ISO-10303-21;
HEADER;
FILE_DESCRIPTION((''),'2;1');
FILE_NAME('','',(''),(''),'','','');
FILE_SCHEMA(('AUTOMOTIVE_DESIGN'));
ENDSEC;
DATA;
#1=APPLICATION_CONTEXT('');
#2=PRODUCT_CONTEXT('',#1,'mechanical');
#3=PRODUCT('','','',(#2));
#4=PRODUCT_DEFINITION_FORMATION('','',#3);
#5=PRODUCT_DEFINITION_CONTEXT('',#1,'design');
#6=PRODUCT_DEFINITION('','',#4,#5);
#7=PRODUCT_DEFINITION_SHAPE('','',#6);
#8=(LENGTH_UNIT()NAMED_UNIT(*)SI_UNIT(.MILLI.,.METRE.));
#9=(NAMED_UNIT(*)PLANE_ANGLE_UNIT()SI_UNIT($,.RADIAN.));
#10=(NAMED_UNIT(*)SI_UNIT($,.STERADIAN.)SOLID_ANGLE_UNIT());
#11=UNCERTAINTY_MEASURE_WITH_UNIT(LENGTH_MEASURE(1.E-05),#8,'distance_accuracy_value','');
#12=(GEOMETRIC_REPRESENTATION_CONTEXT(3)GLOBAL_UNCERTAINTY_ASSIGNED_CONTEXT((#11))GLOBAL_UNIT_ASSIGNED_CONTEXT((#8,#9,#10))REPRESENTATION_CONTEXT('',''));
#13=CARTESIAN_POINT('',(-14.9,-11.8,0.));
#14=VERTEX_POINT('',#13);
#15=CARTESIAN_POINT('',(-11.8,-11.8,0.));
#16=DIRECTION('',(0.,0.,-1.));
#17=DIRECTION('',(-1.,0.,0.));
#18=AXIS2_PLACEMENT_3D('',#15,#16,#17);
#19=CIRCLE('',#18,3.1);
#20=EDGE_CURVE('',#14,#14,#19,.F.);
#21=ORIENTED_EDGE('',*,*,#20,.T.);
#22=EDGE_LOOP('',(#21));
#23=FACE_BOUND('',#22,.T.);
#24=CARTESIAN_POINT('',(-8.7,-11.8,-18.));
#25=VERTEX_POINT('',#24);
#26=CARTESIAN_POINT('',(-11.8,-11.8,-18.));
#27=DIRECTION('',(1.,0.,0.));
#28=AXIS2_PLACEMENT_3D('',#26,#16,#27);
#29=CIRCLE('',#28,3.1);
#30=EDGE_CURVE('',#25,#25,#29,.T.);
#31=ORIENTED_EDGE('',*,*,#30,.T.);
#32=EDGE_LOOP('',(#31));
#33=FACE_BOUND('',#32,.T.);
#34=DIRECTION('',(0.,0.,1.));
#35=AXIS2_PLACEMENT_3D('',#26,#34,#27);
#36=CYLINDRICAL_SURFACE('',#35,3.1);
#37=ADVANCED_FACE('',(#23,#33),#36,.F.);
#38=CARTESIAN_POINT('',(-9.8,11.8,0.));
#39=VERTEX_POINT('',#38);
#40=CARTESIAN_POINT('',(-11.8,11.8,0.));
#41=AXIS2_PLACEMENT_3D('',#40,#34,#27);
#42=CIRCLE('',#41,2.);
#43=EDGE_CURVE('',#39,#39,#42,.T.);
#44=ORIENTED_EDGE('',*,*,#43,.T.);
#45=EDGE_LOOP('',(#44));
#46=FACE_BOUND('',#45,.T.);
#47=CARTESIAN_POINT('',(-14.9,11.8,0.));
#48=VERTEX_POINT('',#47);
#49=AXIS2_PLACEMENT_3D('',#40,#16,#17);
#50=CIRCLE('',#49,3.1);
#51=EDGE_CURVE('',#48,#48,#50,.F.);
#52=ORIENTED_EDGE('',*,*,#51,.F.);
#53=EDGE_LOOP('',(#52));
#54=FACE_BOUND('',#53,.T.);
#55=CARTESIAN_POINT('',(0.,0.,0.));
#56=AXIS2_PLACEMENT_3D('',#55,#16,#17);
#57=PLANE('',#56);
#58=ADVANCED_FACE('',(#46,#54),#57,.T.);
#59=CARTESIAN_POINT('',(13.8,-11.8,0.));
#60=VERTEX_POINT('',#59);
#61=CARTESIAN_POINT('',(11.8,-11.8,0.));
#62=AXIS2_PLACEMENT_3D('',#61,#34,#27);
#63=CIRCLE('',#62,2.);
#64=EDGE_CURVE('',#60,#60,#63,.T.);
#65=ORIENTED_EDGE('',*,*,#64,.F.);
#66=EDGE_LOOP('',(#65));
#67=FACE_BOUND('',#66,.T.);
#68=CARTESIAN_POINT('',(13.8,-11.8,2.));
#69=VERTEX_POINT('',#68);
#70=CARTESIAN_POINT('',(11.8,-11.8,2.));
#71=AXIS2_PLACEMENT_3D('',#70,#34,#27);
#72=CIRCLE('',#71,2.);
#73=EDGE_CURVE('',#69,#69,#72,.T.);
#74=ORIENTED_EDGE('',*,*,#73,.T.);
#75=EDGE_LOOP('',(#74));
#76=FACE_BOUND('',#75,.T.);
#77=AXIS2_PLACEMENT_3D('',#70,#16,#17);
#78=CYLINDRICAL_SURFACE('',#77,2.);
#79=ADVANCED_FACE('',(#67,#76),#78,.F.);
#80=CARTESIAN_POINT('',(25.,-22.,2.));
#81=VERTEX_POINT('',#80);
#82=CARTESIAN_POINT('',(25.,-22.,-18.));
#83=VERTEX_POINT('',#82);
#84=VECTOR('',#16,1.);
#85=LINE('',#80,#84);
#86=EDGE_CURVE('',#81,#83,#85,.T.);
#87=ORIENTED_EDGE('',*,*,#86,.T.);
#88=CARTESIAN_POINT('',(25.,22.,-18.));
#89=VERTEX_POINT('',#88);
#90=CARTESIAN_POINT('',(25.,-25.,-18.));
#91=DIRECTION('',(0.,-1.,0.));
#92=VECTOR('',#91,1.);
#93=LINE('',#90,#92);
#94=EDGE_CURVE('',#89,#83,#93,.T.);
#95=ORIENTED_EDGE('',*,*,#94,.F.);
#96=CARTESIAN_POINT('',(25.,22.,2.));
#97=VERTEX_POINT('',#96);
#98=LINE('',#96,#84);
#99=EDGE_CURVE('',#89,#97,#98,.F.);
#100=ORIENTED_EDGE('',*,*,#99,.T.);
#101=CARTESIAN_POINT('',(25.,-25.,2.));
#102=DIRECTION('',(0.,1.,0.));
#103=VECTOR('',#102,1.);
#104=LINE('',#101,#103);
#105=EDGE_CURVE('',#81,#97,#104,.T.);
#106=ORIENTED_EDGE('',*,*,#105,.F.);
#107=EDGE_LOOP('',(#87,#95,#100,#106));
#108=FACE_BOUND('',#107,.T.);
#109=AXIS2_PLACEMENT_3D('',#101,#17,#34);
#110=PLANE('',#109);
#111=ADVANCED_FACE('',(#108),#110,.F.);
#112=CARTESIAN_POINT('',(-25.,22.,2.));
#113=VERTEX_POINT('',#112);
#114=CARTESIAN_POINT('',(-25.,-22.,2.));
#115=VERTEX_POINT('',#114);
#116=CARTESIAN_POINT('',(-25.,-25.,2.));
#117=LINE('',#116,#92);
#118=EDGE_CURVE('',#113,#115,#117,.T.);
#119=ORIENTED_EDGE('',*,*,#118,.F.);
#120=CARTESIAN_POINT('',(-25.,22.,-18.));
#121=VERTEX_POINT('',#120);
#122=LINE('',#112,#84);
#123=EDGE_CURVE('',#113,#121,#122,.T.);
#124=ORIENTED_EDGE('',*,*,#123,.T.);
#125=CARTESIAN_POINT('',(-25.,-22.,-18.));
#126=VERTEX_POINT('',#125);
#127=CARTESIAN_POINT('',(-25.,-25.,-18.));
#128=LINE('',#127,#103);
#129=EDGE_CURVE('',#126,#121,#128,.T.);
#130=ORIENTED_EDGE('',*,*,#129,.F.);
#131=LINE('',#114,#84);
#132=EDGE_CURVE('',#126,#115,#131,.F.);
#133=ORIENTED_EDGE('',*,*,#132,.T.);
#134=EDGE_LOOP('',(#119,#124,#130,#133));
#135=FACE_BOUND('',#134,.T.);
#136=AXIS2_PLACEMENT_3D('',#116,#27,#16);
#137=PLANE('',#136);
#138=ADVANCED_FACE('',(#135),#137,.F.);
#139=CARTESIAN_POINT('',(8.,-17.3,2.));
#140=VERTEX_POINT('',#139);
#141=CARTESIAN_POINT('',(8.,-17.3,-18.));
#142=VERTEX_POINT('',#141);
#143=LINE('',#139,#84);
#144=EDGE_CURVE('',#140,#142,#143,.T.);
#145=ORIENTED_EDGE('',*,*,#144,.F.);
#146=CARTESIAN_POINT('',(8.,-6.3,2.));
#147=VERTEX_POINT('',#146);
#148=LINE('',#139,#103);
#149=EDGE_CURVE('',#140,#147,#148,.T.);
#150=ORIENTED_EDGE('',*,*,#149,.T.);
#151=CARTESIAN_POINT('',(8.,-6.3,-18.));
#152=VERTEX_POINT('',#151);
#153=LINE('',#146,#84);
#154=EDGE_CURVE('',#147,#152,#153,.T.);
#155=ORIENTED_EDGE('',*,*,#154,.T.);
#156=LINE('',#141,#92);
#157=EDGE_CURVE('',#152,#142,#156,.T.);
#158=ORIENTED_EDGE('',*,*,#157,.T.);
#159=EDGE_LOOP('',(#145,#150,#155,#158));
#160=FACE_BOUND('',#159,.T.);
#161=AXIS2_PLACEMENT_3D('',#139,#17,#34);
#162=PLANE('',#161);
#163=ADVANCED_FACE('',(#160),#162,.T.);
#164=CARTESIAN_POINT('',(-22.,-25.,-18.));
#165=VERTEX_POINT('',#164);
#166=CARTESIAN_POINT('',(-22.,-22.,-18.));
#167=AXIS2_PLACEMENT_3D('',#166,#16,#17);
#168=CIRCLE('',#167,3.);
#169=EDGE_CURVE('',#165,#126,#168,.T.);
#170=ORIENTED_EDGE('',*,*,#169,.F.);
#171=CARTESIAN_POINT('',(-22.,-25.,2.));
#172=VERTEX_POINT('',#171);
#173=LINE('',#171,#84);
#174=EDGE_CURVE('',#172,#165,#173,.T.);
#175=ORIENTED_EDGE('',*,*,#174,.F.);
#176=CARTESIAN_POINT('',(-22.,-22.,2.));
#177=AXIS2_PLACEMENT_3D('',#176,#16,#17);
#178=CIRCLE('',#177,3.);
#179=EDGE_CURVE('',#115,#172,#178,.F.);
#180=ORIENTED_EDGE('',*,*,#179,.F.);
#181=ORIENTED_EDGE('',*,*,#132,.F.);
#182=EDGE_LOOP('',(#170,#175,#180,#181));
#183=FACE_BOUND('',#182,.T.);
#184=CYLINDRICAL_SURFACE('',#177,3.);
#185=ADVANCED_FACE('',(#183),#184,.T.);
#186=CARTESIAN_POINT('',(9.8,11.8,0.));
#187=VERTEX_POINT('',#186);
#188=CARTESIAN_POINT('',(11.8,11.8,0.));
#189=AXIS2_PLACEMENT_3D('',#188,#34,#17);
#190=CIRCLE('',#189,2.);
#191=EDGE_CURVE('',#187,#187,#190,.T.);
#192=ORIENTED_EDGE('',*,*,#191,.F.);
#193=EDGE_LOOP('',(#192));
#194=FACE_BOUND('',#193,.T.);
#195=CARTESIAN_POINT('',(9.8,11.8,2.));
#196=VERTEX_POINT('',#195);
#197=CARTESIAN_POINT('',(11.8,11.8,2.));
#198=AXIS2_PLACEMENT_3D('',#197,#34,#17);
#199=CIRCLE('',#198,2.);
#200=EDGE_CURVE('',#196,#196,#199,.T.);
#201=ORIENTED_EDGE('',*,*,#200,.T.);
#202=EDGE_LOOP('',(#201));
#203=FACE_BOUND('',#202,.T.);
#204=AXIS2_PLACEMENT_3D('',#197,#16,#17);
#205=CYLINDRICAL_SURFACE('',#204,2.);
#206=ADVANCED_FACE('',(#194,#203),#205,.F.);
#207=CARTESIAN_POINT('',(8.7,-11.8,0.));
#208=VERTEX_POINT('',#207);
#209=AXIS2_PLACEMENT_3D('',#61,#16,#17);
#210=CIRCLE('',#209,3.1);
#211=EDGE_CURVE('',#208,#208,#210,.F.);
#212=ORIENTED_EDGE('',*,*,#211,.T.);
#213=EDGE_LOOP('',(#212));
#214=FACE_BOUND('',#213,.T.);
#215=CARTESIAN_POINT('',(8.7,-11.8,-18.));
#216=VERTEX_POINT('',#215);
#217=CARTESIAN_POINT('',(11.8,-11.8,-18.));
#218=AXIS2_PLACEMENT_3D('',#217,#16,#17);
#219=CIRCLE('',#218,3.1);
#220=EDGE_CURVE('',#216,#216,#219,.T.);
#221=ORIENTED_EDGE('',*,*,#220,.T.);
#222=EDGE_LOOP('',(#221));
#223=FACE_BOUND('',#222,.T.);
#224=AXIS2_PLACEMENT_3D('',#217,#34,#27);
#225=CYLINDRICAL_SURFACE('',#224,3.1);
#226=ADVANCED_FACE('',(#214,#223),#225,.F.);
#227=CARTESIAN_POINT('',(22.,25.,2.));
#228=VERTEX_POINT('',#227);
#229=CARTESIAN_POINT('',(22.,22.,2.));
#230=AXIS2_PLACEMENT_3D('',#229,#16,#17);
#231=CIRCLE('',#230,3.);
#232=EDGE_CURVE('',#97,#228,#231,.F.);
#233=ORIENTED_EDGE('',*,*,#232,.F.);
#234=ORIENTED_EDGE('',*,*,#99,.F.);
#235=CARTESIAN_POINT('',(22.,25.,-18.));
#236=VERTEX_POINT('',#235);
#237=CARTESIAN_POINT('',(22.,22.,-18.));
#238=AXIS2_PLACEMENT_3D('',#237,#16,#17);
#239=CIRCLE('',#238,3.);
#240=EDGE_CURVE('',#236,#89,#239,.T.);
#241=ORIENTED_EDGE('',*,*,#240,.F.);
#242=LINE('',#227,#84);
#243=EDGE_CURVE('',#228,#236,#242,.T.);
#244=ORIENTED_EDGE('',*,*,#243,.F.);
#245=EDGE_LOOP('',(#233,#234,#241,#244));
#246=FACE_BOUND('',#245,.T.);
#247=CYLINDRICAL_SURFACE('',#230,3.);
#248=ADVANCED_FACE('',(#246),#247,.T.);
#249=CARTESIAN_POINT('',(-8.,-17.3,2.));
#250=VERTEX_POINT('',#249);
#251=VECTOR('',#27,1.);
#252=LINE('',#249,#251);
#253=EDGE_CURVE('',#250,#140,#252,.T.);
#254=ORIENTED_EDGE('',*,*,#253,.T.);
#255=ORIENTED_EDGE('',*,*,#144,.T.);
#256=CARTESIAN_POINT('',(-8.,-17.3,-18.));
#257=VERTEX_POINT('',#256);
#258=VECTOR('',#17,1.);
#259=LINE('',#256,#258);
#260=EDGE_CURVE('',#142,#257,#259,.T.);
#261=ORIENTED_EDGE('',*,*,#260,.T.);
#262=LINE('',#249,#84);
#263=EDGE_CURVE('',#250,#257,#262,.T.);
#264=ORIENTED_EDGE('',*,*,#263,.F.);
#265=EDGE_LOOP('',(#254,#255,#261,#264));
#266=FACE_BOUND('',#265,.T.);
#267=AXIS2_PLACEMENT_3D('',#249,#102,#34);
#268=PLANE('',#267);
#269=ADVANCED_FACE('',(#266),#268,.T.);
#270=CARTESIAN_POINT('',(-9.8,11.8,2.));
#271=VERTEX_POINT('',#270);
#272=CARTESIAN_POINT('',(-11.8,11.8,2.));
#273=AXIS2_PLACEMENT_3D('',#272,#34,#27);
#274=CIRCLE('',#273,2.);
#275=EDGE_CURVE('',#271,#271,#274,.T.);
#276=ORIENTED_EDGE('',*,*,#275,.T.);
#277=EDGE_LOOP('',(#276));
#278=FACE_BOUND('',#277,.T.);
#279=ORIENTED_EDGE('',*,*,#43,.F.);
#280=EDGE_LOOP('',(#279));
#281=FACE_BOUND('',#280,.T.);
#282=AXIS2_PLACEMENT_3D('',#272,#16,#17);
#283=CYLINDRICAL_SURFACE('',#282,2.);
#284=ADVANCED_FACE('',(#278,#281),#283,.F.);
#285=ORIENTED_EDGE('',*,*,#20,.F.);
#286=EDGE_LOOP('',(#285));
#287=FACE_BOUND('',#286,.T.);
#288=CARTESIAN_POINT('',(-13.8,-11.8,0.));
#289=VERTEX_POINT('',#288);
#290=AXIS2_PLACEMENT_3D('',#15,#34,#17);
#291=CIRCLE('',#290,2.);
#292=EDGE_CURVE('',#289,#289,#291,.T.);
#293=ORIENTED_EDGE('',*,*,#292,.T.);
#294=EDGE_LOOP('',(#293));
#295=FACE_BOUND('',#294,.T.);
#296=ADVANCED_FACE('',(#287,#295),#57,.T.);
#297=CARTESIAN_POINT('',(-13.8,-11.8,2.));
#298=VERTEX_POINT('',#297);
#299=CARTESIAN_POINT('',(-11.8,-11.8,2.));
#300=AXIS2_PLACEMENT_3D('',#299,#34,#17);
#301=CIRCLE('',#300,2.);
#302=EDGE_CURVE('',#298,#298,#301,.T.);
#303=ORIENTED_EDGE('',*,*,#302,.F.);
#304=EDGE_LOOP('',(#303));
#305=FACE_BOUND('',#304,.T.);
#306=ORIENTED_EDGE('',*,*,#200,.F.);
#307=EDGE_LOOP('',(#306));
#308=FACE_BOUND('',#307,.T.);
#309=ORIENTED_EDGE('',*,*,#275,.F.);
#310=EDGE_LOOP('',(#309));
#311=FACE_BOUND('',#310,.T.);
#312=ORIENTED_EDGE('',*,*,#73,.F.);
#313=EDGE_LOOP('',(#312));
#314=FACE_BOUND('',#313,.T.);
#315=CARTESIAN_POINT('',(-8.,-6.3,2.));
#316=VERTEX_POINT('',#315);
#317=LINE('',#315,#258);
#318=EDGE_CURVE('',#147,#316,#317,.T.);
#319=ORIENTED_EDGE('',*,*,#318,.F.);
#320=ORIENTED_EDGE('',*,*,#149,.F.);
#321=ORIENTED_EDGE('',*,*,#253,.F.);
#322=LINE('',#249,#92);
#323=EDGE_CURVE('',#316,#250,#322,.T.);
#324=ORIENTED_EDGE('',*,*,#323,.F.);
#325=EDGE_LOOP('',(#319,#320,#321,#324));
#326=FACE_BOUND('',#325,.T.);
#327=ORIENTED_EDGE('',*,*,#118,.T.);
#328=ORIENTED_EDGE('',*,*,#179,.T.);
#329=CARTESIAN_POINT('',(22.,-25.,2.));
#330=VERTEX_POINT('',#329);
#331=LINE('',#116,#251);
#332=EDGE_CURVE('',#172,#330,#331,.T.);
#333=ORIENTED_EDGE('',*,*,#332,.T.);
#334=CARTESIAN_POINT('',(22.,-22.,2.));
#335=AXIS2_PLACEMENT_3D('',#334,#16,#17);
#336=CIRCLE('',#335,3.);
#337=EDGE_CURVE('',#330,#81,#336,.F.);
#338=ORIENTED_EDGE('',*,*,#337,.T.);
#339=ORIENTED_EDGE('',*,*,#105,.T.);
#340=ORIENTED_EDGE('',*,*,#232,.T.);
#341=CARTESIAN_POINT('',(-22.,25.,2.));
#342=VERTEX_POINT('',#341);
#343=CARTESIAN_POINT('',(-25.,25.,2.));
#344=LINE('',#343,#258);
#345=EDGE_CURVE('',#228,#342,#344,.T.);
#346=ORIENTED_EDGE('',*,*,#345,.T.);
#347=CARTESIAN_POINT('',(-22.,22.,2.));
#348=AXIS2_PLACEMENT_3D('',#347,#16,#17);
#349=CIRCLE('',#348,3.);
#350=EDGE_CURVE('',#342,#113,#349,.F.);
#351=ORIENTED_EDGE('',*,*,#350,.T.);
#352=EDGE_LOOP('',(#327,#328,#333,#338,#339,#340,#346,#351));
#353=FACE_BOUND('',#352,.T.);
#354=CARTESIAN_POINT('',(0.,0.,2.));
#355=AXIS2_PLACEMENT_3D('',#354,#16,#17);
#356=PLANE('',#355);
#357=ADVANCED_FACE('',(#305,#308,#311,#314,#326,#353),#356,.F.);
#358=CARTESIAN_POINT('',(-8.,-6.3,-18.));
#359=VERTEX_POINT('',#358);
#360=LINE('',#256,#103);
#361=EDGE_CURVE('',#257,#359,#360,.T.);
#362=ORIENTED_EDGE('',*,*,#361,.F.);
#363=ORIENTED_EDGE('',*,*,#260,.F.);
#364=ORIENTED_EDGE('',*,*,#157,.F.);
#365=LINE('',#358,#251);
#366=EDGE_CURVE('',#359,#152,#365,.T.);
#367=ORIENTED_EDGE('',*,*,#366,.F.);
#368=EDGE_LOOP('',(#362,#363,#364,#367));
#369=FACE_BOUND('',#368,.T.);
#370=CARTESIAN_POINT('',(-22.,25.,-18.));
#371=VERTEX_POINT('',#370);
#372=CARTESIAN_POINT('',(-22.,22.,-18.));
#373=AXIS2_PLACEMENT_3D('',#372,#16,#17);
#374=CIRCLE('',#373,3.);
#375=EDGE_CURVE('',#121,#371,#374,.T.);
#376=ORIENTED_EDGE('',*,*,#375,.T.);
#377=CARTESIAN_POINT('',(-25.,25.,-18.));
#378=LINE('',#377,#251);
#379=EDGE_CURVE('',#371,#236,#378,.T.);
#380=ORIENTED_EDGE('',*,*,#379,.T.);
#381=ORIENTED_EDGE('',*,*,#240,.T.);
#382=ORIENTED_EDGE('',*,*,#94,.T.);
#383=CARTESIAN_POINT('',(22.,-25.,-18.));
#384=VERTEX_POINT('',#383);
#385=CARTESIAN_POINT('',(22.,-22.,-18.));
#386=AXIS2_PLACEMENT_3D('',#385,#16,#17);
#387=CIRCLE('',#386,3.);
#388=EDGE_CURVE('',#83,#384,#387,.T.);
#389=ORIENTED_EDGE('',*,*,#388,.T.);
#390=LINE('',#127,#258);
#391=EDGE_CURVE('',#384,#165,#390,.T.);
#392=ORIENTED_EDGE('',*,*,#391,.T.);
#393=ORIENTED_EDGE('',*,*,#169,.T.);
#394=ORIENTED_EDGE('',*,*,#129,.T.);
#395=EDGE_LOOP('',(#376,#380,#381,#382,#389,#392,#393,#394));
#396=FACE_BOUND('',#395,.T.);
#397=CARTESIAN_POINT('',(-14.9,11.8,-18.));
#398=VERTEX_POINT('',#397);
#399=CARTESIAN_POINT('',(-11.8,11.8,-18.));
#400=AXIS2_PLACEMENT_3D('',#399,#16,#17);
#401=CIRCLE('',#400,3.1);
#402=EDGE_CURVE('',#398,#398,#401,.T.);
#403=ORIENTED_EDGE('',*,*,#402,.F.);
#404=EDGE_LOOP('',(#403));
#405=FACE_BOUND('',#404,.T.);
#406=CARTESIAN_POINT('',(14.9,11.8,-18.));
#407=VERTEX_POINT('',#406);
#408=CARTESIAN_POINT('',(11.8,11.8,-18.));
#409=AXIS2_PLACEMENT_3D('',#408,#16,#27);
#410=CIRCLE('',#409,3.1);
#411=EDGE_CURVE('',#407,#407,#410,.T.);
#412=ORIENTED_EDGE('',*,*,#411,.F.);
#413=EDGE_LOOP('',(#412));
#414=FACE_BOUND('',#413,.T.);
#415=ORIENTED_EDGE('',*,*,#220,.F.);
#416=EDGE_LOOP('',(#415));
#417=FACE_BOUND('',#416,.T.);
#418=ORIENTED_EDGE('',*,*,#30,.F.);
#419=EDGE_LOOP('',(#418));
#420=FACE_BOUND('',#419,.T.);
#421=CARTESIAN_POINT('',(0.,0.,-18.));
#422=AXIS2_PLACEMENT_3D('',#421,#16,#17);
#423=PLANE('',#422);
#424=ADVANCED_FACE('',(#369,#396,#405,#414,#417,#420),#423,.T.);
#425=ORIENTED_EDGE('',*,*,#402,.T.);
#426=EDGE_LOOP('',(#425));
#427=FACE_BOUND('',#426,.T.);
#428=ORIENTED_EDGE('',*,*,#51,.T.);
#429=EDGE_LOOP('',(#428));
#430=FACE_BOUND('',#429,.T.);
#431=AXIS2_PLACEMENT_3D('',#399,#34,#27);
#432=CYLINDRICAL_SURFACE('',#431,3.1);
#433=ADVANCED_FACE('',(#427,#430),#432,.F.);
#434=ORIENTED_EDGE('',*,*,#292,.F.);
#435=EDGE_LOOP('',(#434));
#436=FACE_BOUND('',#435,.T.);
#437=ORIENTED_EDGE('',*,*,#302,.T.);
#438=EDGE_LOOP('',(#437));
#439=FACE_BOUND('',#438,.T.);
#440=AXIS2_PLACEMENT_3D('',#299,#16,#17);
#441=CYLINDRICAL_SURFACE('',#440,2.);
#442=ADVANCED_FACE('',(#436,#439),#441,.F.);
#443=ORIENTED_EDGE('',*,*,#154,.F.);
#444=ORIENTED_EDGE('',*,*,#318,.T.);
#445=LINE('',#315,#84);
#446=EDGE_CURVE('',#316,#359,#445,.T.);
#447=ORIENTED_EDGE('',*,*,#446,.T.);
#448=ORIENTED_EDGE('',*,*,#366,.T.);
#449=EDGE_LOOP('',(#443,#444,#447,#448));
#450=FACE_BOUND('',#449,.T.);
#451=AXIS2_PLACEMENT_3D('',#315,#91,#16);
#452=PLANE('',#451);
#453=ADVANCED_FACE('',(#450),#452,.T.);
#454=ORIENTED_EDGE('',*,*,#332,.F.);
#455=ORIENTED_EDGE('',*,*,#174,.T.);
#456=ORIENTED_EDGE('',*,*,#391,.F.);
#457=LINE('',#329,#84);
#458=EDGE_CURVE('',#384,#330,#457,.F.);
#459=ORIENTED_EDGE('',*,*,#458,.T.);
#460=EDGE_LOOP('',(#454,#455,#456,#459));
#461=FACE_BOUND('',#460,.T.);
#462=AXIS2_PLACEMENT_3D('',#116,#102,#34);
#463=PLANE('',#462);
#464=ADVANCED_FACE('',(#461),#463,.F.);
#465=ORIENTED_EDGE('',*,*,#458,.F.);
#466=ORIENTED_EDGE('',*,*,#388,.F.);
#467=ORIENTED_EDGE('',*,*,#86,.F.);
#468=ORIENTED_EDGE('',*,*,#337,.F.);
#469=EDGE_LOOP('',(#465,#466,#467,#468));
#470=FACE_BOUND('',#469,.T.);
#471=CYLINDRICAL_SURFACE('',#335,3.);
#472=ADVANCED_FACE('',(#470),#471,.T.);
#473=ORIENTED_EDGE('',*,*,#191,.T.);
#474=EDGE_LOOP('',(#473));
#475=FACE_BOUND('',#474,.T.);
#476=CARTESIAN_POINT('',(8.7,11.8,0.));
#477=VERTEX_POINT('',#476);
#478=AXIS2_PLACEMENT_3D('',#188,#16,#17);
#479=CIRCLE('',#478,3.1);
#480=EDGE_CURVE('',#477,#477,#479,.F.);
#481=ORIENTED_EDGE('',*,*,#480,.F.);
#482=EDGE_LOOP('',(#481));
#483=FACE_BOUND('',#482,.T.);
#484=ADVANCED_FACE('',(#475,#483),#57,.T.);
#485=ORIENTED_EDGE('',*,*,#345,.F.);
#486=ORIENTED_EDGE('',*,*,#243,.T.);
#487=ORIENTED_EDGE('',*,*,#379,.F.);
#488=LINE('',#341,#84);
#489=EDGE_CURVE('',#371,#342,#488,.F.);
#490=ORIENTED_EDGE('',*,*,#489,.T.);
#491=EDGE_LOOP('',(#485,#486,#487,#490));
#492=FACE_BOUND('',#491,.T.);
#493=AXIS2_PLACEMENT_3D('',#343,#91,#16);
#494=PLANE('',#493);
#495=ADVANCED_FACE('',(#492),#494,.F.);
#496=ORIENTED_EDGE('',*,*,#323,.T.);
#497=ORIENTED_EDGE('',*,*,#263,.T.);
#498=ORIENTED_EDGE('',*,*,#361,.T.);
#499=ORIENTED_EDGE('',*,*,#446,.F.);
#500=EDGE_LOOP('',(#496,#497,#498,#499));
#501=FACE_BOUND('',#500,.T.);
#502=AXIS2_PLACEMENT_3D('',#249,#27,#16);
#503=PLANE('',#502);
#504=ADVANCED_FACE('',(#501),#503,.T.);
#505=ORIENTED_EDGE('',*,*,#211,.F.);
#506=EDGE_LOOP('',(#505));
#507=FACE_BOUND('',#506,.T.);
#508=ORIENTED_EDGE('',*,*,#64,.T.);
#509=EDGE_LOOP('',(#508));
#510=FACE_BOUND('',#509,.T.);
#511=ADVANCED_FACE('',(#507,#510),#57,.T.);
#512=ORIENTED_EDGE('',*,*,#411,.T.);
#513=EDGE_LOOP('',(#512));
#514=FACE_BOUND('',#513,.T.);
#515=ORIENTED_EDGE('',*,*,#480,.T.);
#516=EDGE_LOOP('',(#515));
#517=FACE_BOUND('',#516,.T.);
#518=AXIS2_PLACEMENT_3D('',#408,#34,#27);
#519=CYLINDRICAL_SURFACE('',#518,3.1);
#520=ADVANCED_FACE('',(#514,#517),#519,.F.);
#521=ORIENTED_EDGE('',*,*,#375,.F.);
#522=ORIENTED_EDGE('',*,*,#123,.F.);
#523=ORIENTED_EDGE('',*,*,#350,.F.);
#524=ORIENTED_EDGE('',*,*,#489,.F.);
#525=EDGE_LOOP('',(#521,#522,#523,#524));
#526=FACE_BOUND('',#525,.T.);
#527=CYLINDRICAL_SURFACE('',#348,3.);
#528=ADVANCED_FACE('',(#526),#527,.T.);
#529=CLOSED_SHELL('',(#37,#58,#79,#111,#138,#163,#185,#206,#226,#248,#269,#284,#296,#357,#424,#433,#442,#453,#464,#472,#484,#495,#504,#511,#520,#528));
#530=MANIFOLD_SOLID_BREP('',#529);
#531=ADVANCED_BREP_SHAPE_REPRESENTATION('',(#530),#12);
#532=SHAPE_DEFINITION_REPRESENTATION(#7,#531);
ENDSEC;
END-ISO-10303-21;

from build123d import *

# Parameters (mm, degrees)
SKETCH1_W           = 50
SKETCH1_H           = 50
SKETCH1_R           = 2
SKETCH1_W_2         = 16
SKETCH1_H_2         = 11
BOSS_EXTRUDE1_DEPTH = 2
SKETCH2_W           = 50
SKETCH2_H           = 50
SKETCH2_R           = 3.1
SKETCH2_W_2         = 16
SKETCH2_H_2         = 11
BOSS_EXTRUDE2_DEPTH = 18
FILLET1_R           = 3


with BuildPart() as part:
    # Sketch1 → Boss-Extrude1 (new body)
    with BuildSketch(Plane.XY):
        Rectangle(SKETCH1_W, SKETCH1_H)
        with Locations((-11.8, 11.8)):
            Circle(SKETCH1_R, mode=Mode.SUBTRACT)
        with Locations((-11.8, -11.8)):
            Circle(SKETCH1_R, mode=Mode.SUBTRACT)
        with Locations((11.8, -11.8)):
            Circle(SKETCH1_R, mode=Mode.SUBTRACT)
        with Locations((11.8, 11.8)):
            Circle(SKETCH1_R, mode=Mode.SUBTRACT)
        with Locations((0, -11.8)):
            Rectangle(SKETCH1_W_2, SKETCH1_H_2, mode=Mode.SUBTRACT)
    extrude(amount=BOSS_EXTRUDE1_DEPTH)

    # Sketch2 → Boss-Extrude2 (add)
    with BuildSketch(Plane(origin=(0, 0, 0), x_dir=(-1, 0, 0), z_dir=(0, 0, -1))):
        Rectangle(SKETCH2_W, SKETCH2_H)
        with Locations((-11.8, -11.8)):
            Circle(SKETCH2_R, mode=Mode.SUBTRACT)
        with Locations((11.8, -11.8)):
            Circle(SKETCH2_R, mode=Mode.SUBTRACT)
        with Locations((11.8, 11.8)):
            Circle(SKETCH2_R, mode=Mode.SUBTRACT)
        with Locations((-11.8, 11.8)):
            Circle(SKETCH2_R, mode=Mode.SUBTRACT)
        with Locations((0, -11.8)):
            Rectangle(SKETCH2_W_2, SKETCH2_H_2, mode=Mode.SUBTRACT)
    extrude(amount=BOSS_EXTRUDE2_DEPTH)

    # Fillet1
    fillet1_edges = [part.edges().sort_by_distance(p)[0] for p in [
        (25, -25, -8),
        (-25, -25, -8),
        (-25, 25, -8),
        (25, 25, -8),
    ]]
    fillet(fillet1_edges, radius=FILLET1_R)


solid = part.part
